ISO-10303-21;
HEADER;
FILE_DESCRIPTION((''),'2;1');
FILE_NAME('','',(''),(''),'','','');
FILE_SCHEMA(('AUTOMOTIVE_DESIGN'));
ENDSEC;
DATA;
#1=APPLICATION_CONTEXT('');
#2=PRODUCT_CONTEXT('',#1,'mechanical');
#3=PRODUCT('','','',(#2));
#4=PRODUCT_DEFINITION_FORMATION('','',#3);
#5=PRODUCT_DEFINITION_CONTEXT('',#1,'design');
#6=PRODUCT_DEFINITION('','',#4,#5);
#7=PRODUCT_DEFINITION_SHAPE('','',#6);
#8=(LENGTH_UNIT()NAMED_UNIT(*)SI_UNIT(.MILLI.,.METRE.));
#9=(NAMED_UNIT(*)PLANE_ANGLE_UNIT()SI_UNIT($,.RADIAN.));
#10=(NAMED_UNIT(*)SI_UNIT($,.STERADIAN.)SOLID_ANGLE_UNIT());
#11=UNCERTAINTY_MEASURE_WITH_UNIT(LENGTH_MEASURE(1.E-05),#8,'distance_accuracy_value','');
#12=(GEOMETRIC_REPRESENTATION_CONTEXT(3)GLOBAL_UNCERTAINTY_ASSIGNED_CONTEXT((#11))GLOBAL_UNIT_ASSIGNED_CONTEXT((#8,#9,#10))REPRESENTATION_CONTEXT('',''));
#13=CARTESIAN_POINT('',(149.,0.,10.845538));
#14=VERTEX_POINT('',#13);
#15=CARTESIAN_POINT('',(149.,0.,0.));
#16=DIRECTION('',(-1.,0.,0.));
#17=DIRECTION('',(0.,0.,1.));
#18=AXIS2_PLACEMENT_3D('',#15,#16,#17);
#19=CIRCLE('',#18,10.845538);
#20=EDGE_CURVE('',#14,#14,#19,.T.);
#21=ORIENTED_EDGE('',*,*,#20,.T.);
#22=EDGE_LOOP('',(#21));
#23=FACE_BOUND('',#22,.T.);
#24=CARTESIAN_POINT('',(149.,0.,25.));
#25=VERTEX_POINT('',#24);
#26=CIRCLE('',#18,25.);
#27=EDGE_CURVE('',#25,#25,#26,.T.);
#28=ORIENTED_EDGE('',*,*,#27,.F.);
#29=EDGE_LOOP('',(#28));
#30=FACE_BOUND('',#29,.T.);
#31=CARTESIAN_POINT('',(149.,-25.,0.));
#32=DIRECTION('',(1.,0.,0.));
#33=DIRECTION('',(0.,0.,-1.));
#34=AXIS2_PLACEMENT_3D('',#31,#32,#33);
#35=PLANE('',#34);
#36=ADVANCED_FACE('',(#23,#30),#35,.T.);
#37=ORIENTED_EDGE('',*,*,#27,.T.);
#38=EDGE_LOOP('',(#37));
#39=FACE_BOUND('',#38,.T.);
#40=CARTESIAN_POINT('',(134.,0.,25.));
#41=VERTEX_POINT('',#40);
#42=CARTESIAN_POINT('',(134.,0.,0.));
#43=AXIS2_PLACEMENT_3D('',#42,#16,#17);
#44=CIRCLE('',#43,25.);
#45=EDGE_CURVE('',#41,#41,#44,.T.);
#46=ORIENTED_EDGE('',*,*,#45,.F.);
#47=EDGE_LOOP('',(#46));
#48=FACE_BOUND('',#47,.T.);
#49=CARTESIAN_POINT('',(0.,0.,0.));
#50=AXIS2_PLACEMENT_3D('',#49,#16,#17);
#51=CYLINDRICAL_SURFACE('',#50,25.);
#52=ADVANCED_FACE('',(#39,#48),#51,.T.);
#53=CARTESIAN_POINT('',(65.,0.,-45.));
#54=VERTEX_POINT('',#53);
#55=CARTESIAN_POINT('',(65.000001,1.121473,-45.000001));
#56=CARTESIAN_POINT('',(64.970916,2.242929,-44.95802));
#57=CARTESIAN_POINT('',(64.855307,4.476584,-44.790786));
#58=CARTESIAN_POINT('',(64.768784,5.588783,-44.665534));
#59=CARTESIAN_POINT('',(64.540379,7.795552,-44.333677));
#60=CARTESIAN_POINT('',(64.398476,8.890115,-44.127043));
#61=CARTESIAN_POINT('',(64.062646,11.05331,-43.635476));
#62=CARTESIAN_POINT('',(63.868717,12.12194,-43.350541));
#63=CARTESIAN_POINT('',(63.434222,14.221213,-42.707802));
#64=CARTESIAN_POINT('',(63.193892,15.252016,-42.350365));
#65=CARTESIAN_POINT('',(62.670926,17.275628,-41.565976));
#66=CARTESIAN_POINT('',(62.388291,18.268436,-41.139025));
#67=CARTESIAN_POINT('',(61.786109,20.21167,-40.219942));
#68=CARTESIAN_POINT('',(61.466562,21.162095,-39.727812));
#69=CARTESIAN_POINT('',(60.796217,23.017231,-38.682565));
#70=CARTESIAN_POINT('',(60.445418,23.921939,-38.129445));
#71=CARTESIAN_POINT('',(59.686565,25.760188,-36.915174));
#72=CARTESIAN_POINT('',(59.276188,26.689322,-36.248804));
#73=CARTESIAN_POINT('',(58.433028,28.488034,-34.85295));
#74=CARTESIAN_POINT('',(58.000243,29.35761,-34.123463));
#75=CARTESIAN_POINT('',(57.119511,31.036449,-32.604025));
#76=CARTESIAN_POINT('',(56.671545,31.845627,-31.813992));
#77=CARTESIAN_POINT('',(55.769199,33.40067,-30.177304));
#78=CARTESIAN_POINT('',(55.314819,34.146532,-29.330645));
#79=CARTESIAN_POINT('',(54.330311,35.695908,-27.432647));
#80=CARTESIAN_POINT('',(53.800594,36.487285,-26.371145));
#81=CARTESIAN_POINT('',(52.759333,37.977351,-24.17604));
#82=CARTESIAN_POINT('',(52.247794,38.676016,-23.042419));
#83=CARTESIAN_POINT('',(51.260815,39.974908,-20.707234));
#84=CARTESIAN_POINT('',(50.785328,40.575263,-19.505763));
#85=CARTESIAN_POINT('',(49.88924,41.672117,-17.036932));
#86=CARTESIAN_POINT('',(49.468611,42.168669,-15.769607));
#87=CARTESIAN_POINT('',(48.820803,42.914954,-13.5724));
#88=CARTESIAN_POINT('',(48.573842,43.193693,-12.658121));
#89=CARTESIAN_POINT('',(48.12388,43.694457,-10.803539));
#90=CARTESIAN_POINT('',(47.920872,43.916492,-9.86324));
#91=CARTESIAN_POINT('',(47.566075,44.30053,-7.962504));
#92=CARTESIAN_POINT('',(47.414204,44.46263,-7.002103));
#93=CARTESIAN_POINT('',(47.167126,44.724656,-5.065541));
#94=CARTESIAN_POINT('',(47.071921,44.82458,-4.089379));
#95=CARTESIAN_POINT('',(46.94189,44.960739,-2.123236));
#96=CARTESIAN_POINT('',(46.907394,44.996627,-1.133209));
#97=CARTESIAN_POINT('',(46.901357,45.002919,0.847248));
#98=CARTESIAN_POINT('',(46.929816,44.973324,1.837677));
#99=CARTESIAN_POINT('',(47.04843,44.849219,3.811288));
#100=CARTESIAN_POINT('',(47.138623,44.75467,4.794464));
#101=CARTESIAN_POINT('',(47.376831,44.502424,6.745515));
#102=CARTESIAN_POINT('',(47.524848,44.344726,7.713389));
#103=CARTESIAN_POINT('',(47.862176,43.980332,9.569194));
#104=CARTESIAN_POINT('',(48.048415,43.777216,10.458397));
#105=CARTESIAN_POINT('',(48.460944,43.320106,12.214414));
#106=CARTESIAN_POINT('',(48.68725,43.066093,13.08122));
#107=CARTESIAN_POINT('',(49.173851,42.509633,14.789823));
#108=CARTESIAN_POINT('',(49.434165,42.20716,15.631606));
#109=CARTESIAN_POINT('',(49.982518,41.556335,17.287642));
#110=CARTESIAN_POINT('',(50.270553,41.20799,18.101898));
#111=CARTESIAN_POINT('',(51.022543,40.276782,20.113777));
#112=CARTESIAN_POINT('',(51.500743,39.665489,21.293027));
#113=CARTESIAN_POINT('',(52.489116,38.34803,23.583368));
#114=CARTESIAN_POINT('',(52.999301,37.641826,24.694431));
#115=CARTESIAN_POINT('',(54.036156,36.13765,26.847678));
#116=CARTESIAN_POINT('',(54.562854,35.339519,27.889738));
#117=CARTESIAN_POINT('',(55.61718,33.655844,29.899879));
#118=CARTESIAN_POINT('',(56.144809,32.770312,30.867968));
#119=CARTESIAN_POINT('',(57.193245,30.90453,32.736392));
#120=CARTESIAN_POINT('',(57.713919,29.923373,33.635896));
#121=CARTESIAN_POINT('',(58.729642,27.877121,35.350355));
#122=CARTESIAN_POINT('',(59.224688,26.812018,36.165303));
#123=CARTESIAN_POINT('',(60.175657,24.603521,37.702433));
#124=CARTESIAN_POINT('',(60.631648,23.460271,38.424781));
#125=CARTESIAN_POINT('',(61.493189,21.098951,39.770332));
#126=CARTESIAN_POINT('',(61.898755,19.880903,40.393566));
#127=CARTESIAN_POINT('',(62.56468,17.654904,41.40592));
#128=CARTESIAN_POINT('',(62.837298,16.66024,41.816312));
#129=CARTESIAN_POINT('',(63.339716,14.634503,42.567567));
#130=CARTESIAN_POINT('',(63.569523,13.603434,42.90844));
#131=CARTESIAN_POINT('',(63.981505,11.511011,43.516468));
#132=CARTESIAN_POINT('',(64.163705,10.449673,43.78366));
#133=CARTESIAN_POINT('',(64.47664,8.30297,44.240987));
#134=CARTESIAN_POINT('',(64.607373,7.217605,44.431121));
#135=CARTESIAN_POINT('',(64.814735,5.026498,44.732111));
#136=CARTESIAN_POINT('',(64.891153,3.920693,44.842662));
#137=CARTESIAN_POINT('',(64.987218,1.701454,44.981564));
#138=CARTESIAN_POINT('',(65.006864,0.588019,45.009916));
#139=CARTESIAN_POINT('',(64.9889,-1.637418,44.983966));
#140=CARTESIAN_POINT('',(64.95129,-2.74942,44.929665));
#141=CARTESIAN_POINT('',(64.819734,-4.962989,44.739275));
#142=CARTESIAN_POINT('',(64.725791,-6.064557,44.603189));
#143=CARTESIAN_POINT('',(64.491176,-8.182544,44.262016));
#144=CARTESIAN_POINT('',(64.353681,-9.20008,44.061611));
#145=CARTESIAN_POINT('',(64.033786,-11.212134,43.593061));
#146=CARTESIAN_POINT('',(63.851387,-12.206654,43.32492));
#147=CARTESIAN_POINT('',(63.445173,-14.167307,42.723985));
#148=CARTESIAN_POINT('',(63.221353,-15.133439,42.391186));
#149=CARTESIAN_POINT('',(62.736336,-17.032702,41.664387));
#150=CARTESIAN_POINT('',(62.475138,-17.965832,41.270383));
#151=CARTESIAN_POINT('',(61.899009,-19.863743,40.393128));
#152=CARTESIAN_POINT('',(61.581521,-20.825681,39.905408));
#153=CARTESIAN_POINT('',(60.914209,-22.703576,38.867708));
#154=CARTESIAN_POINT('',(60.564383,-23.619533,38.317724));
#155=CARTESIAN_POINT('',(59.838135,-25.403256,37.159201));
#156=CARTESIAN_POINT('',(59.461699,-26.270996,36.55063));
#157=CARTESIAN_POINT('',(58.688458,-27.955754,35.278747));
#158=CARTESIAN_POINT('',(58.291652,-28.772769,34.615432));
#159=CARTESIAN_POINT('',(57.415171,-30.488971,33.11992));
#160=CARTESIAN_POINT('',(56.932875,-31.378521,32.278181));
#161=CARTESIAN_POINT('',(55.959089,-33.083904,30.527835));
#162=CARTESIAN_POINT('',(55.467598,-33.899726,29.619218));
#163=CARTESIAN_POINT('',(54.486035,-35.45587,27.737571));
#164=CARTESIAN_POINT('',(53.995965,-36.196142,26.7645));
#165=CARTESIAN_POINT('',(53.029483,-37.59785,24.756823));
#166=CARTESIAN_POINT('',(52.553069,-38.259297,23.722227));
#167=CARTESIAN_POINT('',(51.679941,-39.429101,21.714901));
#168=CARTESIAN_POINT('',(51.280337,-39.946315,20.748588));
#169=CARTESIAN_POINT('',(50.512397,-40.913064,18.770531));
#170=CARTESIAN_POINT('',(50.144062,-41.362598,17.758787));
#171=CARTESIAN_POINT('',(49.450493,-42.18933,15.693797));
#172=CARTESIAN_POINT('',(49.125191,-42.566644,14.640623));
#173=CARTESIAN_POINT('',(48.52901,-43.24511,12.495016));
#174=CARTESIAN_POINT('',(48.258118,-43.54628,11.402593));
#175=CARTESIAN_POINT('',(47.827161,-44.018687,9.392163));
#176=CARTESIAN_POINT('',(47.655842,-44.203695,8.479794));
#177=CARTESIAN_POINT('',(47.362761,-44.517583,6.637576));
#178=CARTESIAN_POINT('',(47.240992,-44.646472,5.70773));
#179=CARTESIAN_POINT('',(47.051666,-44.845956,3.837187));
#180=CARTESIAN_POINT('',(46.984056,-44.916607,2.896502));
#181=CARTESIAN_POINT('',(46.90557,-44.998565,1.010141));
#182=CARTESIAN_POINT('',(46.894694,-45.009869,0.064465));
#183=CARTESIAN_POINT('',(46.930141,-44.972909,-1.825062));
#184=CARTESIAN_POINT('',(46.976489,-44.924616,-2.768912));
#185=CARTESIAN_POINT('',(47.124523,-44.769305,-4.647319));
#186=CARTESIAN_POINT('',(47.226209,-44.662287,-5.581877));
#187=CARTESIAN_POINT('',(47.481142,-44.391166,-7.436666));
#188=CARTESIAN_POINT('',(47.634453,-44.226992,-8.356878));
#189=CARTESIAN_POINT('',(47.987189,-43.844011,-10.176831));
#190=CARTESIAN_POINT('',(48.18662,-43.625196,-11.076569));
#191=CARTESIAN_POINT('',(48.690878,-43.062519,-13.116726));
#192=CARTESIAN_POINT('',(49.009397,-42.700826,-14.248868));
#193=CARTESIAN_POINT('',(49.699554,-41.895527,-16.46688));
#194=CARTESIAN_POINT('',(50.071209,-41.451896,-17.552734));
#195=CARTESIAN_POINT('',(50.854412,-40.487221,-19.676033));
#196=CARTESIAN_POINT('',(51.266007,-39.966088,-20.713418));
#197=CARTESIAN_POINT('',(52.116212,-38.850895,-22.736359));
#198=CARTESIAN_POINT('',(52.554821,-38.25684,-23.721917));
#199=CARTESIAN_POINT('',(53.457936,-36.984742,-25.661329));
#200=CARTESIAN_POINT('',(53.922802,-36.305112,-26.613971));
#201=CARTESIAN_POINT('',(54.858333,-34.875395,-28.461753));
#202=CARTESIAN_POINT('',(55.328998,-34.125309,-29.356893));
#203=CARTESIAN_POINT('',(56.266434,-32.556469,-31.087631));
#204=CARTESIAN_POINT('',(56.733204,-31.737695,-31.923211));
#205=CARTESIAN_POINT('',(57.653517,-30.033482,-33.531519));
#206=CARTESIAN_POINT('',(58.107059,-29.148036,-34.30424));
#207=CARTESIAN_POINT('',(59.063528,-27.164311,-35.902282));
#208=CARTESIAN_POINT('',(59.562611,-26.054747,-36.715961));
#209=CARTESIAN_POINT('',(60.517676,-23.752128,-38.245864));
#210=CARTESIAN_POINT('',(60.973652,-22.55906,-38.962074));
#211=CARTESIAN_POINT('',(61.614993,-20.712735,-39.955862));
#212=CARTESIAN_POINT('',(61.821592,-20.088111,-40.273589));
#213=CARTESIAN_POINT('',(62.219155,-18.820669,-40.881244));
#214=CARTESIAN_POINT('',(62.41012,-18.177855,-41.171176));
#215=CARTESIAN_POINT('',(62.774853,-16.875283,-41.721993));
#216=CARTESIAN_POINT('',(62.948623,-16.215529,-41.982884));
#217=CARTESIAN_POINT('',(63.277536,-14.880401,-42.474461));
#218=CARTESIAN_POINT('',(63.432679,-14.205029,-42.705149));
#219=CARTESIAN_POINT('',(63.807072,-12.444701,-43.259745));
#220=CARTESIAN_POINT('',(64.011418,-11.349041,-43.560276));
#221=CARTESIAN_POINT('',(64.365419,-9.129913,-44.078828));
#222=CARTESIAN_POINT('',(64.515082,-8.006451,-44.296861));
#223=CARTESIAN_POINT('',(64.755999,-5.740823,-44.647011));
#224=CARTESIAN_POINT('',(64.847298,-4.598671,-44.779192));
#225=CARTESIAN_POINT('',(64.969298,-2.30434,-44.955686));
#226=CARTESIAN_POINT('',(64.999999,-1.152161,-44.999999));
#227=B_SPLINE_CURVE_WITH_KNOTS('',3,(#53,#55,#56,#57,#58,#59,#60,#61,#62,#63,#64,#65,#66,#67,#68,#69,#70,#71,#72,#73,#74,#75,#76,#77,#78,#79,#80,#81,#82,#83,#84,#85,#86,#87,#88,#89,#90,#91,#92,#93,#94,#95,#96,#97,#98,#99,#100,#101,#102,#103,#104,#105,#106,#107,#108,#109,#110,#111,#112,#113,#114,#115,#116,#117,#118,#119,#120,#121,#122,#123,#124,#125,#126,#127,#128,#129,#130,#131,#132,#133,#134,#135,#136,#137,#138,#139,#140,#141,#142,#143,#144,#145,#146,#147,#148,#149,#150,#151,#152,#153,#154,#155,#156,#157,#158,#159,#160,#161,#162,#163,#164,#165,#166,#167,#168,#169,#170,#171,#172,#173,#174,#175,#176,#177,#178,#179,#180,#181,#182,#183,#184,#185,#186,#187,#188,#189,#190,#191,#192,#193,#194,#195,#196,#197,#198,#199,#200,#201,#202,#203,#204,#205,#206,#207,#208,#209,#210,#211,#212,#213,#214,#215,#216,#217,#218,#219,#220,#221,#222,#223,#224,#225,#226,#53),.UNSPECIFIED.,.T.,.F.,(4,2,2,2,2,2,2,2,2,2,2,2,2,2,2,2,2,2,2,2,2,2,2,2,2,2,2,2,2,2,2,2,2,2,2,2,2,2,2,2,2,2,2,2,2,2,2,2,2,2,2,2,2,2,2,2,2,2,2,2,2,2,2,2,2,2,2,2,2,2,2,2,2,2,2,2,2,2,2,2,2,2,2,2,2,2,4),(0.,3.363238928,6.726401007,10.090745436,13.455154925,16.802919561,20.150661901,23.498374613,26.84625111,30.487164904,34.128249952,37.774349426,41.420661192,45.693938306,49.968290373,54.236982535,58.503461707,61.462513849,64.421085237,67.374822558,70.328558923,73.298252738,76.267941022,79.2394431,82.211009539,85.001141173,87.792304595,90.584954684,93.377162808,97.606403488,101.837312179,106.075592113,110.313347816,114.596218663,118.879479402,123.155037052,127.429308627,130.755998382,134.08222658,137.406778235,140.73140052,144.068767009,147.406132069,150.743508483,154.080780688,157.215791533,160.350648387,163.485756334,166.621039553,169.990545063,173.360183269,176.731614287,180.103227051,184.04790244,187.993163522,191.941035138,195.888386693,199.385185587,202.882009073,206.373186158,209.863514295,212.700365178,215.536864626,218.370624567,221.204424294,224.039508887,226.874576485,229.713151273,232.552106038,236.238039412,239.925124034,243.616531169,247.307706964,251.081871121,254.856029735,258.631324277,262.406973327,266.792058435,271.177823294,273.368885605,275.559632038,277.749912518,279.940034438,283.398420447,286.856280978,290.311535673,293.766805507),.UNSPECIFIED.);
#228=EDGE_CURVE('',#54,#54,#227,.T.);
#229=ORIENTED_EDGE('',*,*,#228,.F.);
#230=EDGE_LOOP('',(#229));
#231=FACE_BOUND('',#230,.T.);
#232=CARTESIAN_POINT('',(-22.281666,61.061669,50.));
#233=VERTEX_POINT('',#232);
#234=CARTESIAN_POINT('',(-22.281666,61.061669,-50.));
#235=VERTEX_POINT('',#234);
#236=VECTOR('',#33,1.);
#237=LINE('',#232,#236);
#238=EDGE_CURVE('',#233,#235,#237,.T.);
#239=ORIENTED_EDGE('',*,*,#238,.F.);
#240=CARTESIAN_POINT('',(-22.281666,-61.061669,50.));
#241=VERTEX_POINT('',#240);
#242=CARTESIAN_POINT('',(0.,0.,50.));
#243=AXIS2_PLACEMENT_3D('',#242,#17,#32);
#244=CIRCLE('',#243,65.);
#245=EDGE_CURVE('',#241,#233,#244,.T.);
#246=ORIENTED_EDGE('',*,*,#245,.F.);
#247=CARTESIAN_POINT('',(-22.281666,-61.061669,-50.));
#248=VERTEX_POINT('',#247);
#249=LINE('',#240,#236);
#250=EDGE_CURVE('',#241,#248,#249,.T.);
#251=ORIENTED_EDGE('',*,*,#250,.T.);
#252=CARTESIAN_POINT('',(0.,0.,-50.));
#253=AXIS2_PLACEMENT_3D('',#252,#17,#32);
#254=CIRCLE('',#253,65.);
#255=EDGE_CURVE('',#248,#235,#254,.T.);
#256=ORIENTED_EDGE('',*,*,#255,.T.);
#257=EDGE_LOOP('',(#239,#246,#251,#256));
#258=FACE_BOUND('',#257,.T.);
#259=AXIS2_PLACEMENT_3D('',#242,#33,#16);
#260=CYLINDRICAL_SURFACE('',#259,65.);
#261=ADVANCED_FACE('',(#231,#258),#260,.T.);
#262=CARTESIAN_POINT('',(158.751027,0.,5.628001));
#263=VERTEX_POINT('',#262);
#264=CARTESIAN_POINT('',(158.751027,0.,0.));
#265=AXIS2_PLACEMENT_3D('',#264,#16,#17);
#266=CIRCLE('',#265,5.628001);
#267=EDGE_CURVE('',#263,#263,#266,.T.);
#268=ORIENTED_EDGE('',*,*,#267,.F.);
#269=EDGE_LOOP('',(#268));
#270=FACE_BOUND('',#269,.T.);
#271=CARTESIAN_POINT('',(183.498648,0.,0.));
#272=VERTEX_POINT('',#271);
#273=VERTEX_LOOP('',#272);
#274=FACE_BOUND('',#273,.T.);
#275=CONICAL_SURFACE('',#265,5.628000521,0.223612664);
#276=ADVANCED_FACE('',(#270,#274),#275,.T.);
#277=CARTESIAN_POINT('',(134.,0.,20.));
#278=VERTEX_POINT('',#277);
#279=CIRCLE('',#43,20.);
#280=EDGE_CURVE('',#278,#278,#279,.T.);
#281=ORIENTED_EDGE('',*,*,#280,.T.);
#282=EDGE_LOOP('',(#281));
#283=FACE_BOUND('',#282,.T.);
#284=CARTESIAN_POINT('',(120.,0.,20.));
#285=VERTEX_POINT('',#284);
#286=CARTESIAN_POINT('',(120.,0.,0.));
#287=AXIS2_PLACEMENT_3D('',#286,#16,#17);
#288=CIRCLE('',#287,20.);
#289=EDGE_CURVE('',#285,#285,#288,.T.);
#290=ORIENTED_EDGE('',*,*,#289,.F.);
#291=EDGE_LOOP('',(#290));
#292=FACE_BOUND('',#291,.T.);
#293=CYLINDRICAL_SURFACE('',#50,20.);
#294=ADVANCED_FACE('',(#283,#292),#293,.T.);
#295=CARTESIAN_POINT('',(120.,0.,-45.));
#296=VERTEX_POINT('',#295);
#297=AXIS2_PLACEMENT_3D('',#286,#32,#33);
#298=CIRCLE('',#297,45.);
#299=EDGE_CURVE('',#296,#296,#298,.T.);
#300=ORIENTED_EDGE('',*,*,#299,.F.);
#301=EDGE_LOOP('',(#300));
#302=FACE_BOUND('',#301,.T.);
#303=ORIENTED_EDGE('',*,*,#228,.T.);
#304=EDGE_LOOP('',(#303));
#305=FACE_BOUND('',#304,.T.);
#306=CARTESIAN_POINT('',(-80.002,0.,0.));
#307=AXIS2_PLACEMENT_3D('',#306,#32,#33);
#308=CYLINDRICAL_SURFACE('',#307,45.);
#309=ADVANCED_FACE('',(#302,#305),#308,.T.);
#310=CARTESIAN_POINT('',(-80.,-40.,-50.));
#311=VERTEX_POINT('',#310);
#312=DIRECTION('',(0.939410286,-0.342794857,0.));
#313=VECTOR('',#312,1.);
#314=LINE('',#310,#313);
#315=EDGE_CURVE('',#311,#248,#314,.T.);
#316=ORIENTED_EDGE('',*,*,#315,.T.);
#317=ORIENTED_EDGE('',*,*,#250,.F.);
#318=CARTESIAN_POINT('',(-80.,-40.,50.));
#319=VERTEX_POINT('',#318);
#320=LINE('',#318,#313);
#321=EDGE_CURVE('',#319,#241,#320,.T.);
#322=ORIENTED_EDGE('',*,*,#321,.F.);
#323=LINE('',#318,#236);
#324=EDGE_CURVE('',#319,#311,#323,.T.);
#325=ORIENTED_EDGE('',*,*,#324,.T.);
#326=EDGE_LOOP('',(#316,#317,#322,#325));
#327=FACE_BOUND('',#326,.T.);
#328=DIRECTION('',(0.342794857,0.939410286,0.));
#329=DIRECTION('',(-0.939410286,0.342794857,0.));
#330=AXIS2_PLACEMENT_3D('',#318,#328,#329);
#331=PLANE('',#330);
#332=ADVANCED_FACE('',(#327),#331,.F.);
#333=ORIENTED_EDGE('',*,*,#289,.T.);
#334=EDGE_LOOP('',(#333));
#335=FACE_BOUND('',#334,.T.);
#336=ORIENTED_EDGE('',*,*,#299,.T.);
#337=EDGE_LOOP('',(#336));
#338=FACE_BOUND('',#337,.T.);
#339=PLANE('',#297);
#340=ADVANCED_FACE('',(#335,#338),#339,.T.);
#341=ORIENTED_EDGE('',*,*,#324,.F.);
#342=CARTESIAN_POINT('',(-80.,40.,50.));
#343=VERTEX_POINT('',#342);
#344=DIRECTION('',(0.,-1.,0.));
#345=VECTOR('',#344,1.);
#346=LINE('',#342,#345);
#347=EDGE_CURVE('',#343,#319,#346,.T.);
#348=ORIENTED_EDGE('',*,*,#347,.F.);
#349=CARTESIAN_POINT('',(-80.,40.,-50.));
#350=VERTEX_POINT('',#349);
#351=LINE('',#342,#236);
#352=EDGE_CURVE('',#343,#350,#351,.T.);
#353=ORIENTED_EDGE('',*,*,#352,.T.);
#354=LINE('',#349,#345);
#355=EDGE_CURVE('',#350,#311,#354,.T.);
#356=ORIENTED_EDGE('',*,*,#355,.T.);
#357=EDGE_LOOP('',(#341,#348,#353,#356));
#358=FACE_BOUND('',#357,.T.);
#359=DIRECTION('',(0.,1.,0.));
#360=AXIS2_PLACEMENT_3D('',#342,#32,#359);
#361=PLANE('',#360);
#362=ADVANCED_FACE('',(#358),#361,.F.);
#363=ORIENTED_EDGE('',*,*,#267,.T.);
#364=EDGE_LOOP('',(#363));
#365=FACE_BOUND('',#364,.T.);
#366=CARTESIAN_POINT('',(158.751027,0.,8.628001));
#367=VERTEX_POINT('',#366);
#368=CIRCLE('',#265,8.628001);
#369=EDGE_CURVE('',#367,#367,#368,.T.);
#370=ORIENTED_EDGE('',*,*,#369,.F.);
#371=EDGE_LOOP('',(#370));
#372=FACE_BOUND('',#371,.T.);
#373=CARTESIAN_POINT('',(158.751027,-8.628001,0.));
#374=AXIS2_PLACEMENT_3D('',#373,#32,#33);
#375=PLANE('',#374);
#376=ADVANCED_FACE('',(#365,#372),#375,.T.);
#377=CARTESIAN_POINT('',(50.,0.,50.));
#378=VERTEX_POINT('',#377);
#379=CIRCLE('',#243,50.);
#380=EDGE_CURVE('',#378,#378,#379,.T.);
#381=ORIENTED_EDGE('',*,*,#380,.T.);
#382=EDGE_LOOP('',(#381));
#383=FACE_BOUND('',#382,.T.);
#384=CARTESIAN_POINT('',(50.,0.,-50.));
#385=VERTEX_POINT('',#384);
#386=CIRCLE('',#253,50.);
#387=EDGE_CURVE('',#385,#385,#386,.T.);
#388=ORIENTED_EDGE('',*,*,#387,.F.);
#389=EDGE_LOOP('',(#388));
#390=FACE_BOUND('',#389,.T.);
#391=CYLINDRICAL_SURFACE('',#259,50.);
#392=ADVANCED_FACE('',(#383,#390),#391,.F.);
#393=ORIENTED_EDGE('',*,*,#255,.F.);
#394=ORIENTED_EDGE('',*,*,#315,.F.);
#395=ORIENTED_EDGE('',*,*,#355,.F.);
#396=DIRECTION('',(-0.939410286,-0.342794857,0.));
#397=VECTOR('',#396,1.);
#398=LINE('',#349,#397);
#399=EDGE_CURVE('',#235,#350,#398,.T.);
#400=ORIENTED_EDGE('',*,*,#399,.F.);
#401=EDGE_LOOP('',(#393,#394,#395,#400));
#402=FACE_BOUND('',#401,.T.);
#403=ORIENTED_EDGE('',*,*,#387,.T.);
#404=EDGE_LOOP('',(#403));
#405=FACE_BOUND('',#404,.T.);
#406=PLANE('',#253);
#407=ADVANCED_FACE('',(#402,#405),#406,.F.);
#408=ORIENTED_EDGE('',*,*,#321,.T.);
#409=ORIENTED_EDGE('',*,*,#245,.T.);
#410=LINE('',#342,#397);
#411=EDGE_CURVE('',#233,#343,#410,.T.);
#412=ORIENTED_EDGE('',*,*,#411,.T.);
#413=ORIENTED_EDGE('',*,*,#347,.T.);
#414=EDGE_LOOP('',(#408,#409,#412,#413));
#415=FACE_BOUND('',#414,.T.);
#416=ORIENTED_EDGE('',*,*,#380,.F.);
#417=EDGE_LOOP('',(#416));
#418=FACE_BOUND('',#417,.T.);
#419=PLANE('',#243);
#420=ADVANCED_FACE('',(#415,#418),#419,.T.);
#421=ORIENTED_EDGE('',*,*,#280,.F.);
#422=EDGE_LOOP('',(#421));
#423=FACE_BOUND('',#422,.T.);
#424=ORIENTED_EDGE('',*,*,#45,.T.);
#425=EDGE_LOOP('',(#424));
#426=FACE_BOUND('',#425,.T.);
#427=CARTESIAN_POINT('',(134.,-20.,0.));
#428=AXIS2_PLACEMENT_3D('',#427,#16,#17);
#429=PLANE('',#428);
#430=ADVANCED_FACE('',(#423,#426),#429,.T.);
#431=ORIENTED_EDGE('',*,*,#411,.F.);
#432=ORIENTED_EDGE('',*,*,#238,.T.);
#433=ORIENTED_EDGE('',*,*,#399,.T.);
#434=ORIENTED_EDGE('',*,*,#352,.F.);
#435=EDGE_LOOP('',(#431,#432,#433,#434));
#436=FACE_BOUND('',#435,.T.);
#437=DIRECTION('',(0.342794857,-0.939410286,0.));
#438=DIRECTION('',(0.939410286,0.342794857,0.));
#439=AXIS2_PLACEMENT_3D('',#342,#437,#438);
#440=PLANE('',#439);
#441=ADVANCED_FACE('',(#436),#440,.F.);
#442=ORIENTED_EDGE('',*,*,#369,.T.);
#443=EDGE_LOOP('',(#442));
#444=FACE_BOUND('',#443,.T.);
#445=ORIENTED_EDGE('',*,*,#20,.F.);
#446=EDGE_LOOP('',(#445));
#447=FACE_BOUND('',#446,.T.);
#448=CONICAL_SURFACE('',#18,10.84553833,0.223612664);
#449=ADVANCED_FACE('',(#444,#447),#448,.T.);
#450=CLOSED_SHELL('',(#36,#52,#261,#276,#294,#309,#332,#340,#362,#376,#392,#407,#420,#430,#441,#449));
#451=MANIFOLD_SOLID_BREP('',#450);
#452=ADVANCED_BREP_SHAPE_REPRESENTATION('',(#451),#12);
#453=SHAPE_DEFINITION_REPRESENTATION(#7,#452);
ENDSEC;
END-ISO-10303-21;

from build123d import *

# Parameters (mm, degrees)
SKETCH1_R                = 50
BOSS_EXTRUDE1_DEPTH      = 50
BOSS_EXTRUDE2_REACH      = 218.16
BOSS_EXTRUDE2_END_RADIUS = 65
SKETCH2_R                = 45


with BuildPart() as part:
    # Sketch1 → Boss-Extrude1 (new, symmetric)
    with BuildSketch(Plane.XY):
        with BuildLine():
            Line((-80, 40), (-80, -40))
            Line((-80, -40), (-22.281665693, -61.061668614))
            ThreePointArc((-22.281665693, -61.061668614), (65, 0), (-22.281665693, 61.061668614))
            Line((-22.281665693, 61.061668614), (-80, 40))
        make_face()
        Circle(SKETCH1_R, mode=Mode.SUBTRACT)
    extrude(amount=BOSS_EXTRUDE1_DEPTH, both=True)

    # Boss-Extrude2: up to this cylinder (the profile starts outside it)
    boss_extrude2_end = Plane(origin=(0, 0, 0), z_dir=(0, 0, -1)) * Cylinder(BOSS_EXTRUDE2_END_RADIUS, 567.32, mode=Mode.PRIVATE)
    # Sketch2 → Boss-Extrude2 (add, up to the surface)
    with BuildSketch(Plane(origin=(120, 0, 0), x_dir=(0, 0, -1), z_dir=(1, 0, 0)), mode=Mode.PRIVATE) as boss_extrude2_sk1:
        Circle(SKETCH2_R)
    boss_extrude2_tool1 = extrude(boss_extrude2_sk1.sketch, amount=-BOSS_EXTRUDE2_REACH, mode=Mode.PRIVATE) - boss_extrude2_end
    add(boss_extrude2_tool1.solids().sort_by_distance((120, 0, 0))[0])

    # Sketch4 → Revolve1 (revolve)
    with BuildSketch(Plane.XY, mode=Mode.PRIVATE) as revolve1_sk:
        Polygon((120, 0), (120, -20), (134, -20), (134, -25), (149, -25), (149, -10.84553833), (158.751026924, -8.628000521), (158.751026924, -5.628000521), (183.498647636, 0), align=None)
    revolve(revolve1_sk.sketch.rotate(Axis((0, 0, 0), (1, 0, 0)), 270), axis=Axis((0, 0, 0), (1, 0, 0)))


solid = part.part
